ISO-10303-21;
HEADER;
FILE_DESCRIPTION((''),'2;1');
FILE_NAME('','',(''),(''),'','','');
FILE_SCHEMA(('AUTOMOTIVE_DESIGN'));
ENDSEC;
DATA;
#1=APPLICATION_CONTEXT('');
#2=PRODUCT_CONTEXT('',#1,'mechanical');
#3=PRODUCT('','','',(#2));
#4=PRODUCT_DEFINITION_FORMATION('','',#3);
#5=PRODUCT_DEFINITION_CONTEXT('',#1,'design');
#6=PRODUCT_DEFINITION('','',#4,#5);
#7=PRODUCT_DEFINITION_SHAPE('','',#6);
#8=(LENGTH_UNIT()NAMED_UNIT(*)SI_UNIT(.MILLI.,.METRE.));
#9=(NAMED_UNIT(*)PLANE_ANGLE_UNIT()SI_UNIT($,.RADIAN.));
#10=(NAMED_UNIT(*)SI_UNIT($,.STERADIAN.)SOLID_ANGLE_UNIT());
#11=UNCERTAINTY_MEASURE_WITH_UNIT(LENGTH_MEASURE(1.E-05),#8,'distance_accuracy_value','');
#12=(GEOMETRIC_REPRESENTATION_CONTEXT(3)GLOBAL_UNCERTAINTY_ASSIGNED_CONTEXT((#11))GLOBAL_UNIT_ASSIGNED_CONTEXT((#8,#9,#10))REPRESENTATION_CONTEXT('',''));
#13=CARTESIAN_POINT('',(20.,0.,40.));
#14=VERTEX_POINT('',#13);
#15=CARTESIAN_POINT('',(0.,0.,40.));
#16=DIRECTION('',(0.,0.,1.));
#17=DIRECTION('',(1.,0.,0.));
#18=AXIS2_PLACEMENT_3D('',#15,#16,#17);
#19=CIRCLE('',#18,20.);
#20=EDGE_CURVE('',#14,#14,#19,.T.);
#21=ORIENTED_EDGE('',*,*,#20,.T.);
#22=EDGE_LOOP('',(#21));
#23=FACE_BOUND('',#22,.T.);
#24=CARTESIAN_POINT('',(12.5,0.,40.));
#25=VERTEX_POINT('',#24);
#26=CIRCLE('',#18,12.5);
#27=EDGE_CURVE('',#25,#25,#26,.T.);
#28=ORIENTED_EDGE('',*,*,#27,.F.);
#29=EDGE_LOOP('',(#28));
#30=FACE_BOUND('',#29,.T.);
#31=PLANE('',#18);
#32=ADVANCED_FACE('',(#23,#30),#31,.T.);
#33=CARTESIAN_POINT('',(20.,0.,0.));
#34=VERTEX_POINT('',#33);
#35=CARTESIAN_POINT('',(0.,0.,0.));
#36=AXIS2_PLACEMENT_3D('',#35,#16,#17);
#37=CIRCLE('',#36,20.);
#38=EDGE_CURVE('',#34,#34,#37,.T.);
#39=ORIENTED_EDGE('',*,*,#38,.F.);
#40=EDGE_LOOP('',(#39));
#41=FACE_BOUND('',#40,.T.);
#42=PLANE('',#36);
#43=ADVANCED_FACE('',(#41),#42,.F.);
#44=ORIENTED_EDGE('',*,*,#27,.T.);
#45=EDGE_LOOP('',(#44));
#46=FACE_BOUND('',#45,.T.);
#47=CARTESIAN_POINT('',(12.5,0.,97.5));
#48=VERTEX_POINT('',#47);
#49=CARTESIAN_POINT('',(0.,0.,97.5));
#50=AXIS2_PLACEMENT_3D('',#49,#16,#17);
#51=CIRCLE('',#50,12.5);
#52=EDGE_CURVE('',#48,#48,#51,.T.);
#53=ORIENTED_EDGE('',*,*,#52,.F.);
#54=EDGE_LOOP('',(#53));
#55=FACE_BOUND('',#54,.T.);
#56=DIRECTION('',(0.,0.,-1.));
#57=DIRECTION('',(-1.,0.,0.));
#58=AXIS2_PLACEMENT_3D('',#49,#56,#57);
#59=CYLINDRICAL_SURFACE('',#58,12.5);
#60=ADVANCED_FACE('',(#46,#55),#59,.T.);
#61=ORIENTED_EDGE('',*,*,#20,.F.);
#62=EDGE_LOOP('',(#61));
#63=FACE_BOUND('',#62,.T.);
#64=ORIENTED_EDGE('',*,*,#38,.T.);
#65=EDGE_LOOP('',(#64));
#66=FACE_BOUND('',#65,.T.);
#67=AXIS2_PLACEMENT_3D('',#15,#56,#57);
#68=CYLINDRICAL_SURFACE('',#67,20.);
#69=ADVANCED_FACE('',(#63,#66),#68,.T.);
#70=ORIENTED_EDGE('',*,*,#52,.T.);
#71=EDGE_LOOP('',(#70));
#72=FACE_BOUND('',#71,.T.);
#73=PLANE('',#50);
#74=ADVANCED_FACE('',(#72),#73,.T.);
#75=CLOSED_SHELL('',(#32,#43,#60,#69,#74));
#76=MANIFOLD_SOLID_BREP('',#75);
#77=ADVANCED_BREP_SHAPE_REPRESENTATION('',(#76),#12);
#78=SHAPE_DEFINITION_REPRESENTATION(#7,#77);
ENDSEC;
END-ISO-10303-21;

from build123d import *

# Parameters (mm, degrees)
SKETCH2_R           = 20
BOSS_EXTRUDE1_DEPTH = 40
SKETCH3_R           = 12.5
BOSS_EXTRUDE2_DEPTH = 57.5


with BuildPart() as part:
    # Sketch2 → Boss-Extrude1 (new body)
    with BuildSketch(Plane.XY):
        Circle(SKETCH2_R)
    extrude(amount=BOSS_EXTRUDE1_DEPTH)

    # Sketch3 → Boss-Extrude2 (add)
    with BuildSketch(Plane.XY.offset(40)):
        Circle(SKETCH3_R)
    extrude(amount=BOSS_EXTRUDE2_DEPTH)


solid = part.part
